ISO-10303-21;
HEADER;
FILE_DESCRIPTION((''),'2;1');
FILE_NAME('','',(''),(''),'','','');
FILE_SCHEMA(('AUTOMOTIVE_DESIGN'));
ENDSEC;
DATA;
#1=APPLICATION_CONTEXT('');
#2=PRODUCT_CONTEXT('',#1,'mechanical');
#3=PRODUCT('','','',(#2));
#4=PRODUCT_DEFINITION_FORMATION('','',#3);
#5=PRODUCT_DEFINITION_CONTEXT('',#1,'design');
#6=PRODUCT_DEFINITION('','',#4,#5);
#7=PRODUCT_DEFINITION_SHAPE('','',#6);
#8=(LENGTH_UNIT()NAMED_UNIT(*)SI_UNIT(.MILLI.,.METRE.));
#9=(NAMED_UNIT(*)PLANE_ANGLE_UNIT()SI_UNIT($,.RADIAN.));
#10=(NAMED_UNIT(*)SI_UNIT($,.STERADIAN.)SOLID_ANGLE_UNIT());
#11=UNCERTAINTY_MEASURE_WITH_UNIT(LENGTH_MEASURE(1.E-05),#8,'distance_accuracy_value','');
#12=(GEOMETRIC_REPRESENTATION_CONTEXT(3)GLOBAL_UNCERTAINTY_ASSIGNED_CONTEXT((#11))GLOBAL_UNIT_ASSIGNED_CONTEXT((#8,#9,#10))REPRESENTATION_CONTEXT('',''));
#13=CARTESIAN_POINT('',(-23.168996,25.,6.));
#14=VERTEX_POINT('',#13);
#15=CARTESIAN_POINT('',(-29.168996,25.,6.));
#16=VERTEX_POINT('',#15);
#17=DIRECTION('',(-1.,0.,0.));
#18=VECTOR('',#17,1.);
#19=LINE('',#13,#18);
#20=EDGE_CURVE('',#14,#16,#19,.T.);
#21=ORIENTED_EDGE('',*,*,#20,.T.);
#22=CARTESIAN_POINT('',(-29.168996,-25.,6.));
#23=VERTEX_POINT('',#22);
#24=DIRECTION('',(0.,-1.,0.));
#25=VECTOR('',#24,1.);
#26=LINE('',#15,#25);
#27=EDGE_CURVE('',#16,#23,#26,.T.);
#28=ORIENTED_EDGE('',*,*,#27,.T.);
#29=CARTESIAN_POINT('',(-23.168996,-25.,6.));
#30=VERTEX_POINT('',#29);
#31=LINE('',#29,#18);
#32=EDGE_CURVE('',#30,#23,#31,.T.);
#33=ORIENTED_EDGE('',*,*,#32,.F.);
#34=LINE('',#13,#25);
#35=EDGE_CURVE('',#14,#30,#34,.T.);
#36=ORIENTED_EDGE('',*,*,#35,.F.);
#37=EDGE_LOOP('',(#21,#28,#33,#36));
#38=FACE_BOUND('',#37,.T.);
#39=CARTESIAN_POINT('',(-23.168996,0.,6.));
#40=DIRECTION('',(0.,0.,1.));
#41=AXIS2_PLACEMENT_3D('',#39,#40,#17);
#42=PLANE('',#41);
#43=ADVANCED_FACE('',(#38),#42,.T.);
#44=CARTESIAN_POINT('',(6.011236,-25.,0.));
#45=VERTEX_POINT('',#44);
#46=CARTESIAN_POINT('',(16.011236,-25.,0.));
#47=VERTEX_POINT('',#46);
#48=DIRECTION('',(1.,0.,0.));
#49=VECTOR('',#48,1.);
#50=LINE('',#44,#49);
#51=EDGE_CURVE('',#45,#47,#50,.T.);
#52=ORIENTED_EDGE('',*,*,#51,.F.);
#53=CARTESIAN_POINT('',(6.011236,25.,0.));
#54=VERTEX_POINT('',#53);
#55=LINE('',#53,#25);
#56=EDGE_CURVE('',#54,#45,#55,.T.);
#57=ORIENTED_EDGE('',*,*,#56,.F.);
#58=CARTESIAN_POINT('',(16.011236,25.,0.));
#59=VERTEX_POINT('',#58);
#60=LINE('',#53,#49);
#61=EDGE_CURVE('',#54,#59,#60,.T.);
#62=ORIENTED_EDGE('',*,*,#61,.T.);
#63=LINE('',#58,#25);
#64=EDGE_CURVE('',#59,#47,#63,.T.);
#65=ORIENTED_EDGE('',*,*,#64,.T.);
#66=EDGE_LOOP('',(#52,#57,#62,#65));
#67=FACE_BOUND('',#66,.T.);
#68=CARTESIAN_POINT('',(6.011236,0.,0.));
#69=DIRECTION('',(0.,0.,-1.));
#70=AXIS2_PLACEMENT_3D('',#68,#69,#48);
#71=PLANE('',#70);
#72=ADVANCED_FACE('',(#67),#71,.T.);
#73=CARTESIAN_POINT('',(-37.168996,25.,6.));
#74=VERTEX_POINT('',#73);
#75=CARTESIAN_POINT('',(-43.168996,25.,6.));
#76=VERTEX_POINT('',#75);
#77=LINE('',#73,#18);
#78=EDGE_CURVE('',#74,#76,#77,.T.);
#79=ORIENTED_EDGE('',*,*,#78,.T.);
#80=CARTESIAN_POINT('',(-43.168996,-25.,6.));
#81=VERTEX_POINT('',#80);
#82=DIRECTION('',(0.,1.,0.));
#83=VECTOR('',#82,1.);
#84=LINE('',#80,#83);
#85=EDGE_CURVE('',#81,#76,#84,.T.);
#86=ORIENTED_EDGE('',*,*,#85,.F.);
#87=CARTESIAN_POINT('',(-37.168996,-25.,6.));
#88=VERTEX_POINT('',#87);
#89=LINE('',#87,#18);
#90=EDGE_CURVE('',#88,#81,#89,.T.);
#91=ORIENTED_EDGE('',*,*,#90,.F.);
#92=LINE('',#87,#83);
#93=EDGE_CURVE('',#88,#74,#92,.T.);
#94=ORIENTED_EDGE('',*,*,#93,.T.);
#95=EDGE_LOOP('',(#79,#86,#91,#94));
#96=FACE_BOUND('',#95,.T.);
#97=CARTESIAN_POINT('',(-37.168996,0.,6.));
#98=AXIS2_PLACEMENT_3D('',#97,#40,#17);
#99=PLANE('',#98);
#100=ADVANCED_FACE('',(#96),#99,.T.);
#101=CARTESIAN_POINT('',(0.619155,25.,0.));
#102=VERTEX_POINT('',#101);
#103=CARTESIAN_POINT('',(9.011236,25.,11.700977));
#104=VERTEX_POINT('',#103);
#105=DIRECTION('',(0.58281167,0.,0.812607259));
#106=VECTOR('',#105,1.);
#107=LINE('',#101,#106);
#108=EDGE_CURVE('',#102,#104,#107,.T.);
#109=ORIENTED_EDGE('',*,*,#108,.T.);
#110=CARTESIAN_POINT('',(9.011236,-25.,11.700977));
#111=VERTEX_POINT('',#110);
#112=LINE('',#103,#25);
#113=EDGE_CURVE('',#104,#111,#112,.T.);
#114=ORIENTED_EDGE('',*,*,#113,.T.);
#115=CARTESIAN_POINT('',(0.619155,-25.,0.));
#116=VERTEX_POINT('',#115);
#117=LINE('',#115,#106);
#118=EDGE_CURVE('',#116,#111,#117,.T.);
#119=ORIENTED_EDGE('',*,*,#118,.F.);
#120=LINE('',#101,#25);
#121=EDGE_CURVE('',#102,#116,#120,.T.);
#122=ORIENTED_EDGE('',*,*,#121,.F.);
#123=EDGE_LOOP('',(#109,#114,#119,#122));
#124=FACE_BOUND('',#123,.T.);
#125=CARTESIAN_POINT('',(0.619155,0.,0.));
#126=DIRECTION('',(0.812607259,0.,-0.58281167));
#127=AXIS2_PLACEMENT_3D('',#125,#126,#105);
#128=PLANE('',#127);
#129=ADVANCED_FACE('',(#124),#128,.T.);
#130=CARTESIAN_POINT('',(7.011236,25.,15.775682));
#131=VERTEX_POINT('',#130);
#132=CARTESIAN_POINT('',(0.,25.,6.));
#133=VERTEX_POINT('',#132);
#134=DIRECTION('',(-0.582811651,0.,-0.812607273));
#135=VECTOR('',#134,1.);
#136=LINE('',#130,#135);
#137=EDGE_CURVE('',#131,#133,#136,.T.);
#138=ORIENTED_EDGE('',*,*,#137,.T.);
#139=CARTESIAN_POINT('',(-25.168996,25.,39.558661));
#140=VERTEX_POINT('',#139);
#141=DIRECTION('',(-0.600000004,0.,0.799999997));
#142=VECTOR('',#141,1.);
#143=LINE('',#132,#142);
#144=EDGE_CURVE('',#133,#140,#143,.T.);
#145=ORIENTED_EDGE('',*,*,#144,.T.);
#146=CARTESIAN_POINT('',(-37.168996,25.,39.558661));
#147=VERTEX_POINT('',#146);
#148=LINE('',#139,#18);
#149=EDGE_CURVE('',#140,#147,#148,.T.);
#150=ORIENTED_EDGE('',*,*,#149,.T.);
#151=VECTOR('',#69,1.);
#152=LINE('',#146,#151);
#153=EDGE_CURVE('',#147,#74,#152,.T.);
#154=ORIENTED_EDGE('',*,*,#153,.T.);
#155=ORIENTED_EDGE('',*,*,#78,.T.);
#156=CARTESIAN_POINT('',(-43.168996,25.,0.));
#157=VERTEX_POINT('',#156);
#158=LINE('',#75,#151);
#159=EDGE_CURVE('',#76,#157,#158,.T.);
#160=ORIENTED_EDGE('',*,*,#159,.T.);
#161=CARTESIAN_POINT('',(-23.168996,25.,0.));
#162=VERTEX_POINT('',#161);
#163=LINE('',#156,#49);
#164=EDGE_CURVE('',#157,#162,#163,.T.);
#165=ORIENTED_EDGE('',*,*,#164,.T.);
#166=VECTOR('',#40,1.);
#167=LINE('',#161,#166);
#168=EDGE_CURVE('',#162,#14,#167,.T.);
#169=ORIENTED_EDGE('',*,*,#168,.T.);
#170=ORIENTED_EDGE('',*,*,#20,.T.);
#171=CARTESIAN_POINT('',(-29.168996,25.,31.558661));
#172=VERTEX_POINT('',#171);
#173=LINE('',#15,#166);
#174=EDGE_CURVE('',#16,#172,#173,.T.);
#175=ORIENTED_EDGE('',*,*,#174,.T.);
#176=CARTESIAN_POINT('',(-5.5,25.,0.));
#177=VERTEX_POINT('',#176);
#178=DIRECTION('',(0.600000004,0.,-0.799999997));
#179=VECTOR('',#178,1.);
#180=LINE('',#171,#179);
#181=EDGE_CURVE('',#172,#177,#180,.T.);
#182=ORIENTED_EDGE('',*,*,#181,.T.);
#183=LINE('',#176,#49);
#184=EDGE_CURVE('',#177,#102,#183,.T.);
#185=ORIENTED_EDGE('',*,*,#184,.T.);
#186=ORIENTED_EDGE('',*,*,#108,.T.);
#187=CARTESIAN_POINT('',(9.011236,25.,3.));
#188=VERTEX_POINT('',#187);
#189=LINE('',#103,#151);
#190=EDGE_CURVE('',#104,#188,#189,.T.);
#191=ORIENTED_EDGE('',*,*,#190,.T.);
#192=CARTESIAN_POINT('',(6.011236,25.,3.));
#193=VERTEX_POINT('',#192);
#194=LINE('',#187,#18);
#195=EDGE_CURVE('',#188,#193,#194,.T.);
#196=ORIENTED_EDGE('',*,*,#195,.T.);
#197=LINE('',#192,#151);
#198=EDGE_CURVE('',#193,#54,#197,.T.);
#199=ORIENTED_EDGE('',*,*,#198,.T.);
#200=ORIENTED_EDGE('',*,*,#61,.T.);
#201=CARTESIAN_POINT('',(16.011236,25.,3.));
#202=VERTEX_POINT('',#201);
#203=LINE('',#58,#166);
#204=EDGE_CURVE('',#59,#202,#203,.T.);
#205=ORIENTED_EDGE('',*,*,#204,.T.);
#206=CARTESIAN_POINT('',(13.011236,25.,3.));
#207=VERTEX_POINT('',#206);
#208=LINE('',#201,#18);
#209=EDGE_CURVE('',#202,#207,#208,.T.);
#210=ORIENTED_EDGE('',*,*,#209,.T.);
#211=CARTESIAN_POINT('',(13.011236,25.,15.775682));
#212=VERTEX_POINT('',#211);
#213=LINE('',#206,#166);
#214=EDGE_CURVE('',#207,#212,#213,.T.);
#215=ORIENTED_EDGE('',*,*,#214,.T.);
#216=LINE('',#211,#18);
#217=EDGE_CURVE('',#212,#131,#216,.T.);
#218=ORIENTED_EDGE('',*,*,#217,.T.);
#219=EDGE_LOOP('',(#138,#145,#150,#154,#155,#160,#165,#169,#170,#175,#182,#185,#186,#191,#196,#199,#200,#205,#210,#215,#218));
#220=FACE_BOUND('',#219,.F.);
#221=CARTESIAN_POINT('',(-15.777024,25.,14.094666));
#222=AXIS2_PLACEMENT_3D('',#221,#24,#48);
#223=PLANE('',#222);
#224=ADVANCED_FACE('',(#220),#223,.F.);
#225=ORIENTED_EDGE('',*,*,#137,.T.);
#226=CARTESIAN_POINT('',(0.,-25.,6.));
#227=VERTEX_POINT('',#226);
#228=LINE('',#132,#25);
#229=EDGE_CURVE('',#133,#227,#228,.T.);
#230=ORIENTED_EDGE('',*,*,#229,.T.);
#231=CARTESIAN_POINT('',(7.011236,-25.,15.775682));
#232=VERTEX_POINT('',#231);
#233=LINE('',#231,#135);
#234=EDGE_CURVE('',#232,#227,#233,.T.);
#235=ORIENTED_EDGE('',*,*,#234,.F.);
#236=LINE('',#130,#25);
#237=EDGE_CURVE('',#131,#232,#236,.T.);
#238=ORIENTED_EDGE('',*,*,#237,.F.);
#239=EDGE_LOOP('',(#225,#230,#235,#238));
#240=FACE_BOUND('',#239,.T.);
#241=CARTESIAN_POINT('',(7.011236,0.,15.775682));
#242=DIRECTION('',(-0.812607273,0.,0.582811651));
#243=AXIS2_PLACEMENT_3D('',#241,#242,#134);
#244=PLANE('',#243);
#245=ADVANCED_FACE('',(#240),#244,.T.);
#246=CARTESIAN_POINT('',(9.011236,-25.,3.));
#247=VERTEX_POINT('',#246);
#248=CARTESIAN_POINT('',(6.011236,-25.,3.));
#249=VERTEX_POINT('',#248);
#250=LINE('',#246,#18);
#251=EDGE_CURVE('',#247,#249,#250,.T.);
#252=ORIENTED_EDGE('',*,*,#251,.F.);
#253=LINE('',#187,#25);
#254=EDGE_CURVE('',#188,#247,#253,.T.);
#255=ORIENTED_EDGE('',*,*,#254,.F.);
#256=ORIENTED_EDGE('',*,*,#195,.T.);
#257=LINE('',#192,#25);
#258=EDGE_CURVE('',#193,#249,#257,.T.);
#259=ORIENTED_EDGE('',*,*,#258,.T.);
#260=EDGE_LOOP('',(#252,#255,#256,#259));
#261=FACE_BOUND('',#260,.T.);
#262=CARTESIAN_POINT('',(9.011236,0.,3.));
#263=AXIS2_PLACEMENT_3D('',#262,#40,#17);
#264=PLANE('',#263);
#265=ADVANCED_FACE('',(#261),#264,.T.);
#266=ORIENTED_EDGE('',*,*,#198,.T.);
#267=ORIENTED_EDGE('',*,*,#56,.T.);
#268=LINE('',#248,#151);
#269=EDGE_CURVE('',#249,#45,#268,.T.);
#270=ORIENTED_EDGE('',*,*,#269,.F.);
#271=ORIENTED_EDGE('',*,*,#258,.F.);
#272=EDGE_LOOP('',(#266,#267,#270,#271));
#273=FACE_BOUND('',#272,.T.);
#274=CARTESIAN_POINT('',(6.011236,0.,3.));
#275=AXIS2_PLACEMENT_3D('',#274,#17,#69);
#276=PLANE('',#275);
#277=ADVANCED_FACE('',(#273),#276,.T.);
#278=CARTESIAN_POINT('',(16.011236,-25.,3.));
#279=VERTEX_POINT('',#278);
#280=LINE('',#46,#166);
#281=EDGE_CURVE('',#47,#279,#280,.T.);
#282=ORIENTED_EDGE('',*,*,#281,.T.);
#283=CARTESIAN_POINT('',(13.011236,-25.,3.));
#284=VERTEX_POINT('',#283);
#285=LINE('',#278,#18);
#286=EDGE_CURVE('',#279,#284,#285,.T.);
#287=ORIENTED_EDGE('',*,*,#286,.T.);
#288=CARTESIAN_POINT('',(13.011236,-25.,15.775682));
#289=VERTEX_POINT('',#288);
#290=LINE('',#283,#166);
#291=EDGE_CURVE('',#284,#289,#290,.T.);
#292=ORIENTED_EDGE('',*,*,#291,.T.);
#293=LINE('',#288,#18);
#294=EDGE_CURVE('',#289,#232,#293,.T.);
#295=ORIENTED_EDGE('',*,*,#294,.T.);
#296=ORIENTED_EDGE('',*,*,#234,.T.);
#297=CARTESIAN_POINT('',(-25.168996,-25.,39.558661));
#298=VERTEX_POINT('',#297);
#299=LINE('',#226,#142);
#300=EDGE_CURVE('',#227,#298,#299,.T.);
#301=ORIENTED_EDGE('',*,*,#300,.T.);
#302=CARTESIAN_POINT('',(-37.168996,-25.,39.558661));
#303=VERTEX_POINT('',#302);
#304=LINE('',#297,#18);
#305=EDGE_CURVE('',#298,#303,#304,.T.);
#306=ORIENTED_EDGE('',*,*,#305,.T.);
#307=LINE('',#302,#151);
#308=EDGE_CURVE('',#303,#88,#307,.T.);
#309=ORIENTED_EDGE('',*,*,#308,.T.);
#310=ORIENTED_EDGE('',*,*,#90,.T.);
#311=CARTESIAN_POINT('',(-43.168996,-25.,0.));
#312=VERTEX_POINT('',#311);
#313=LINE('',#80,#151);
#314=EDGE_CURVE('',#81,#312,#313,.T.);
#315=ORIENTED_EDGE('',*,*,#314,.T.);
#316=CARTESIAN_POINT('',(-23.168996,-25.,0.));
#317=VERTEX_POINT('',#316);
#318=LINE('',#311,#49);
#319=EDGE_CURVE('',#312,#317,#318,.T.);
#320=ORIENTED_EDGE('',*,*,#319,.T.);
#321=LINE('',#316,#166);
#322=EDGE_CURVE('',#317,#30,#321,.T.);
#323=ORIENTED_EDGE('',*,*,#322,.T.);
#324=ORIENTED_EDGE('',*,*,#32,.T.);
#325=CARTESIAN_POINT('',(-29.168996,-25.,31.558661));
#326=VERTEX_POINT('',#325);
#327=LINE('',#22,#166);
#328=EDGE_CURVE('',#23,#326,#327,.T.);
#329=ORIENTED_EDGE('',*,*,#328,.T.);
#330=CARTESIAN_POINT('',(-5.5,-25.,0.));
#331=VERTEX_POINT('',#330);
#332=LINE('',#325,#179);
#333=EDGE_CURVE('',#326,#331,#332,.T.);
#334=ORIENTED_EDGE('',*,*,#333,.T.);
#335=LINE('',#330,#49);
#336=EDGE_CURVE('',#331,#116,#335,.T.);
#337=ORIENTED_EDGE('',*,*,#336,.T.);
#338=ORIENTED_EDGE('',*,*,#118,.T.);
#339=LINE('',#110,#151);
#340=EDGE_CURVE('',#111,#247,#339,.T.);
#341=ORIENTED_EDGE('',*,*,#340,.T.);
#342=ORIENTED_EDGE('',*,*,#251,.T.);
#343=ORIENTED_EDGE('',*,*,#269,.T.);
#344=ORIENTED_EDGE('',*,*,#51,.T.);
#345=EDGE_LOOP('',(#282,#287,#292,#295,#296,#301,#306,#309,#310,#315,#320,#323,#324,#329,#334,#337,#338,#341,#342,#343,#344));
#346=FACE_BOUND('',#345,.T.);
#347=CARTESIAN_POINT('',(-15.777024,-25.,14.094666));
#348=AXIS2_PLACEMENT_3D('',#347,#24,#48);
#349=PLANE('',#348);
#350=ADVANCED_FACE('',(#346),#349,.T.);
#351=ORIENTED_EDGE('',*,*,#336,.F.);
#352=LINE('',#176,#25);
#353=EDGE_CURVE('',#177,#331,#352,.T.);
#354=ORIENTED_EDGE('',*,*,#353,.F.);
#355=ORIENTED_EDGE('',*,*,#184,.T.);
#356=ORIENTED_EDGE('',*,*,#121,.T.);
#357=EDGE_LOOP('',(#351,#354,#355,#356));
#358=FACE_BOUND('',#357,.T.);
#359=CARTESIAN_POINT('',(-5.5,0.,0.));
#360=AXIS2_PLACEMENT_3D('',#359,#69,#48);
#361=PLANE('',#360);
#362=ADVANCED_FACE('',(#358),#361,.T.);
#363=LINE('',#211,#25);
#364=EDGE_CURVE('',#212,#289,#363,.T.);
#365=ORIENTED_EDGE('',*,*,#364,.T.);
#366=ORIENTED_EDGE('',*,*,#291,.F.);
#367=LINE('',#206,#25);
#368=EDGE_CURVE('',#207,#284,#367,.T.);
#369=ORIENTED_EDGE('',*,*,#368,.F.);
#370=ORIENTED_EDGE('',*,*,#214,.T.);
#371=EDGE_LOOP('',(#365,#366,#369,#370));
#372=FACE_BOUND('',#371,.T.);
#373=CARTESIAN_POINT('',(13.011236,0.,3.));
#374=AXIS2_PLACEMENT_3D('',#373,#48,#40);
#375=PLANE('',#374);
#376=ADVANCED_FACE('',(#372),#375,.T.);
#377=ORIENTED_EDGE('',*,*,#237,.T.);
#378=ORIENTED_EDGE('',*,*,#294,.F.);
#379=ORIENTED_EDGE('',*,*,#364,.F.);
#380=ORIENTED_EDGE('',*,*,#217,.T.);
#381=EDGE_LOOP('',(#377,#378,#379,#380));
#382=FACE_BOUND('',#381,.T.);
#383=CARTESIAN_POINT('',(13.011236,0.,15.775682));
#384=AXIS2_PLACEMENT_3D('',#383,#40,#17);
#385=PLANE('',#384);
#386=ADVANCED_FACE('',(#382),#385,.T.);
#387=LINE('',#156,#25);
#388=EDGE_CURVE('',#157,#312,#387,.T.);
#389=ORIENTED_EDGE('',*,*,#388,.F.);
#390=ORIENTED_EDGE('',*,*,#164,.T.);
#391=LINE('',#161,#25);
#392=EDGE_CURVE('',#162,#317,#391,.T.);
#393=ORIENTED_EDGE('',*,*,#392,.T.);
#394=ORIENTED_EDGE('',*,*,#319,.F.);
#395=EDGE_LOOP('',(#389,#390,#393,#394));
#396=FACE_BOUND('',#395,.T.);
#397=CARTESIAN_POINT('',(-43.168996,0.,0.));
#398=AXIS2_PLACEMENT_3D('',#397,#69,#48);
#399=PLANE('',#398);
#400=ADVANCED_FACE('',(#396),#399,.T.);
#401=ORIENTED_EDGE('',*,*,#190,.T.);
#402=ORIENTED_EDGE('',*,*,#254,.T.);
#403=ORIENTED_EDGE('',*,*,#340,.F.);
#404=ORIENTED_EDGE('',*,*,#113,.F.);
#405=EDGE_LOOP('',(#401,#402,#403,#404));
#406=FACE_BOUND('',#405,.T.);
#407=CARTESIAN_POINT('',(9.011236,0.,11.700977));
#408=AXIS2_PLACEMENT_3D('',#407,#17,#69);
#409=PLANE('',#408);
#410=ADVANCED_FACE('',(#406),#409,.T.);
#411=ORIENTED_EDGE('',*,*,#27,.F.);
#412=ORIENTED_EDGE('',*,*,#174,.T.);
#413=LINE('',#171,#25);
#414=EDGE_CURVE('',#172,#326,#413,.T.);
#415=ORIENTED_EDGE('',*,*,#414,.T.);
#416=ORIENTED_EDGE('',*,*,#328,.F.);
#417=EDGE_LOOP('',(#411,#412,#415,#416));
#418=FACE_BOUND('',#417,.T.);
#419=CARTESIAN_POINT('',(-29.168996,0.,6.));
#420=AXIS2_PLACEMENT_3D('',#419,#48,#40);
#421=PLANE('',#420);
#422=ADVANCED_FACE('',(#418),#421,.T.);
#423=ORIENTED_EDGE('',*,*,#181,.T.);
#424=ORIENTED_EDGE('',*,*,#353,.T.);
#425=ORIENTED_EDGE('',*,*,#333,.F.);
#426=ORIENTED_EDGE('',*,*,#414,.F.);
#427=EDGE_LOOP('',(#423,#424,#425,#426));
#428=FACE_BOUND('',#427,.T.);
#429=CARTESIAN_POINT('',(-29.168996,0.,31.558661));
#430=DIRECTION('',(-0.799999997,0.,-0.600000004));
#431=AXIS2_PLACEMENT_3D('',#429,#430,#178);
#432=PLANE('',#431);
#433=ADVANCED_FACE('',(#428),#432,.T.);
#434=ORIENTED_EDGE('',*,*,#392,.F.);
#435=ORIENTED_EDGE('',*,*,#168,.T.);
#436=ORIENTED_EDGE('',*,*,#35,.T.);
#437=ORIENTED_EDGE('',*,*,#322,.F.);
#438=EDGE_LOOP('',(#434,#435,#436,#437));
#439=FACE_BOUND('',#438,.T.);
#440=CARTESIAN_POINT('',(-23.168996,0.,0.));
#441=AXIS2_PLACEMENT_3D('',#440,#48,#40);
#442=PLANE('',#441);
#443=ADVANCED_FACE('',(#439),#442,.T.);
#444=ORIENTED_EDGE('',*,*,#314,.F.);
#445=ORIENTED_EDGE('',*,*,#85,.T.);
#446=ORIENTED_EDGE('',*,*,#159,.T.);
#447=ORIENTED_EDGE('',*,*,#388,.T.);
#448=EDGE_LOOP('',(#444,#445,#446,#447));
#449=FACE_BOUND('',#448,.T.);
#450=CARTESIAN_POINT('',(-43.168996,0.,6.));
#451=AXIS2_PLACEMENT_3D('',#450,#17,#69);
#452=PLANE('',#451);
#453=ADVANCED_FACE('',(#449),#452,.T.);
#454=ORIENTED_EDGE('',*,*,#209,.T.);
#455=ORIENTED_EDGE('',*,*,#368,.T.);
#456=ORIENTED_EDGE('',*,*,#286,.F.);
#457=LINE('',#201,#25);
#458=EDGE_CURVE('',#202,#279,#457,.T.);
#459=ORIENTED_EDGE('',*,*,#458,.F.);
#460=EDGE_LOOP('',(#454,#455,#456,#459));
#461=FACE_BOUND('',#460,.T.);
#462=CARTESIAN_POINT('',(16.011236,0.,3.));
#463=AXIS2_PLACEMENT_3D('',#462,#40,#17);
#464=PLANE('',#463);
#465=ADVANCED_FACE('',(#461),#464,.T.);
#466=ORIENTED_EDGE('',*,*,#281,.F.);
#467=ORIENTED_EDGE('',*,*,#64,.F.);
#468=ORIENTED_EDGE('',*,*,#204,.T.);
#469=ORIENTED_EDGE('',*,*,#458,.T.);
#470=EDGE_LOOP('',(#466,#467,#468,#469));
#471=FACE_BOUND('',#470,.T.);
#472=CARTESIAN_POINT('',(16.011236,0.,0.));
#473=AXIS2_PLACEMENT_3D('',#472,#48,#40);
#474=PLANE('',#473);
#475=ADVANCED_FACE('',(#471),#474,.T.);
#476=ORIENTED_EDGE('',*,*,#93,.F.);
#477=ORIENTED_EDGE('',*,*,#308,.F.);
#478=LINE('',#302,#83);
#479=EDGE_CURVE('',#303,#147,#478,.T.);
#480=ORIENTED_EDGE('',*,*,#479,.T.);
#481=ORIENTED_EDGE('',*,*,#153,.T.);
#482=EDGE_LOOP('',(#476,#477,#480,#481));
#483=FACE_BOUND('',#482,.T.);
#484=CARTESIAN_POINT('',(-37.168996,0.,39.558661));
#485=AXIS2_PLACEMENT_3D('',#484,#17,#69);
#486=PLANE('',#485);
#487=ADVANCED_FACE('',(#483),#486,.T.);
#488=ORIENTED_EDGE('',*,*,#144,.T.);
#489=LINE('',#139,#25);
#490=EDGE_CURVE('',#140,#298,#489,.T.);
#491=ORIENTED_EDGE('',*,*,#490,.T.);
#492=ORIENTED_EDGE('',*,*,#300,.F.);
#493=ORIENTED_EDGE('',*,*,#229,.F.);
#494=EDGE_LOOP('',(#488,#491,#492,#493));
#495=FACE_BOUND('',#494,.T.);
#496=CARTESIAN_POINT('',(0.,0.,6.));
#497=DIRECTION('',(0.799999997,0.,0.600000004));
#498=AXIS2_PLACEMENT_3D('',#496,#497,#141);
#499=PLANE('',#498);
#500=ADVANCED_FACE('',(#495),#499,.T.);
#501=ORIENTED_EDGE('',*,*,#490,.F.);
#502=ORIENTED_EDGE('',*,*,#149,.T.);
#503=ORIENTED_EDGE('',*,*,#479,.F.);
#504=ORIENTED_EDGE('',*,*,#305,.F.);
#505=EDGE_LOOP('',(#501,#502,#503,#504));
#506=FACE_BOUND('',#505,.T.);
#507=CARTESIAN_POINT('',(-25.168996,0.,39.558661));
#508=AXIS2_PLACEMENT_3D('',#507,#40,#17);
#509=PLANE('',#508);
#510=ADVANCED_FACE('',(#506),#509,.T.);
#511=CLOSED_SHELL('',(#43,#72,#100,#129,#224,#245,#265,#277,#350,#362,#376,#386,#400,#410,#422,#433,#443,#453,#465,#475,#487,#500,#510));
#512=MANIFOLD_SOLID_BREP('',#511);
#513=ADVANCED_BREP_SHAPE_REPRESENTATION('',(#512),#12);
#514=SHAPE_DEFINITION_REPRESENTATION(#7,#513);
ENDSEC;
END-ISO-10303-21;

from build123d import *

# Parameters (mm, degrees)
F1_DEPTH = 25


with BuildPart() as f1:
    # F0 (on Front) → F1 (new body, symmetric)
    with BuildSketch(Plane.XZ):
        Polygon((-43.168996, 6), (-43.168996, 0), (-23.168996, 0), (-23.168996, 6), (-29.168996, 6), (-29.168996, 31.558661), (-5.5, 0), (0.619155, 0), (9.011236, 11.700977), (9.011236, 3), (6.011236, 3), (6.011236, 0), (16.011236, 0), (16.011236, 3), (13.011236, 3), (13.011236, 15.775682), (7.011236, 15.775682), (0, 6), (-25.168996, 39.558661), (-37.168996, 39.558661), (-37.168996, 6), align=None)
    extrude(amount=F1_DEPTH, both=True)


solid = f1.part
